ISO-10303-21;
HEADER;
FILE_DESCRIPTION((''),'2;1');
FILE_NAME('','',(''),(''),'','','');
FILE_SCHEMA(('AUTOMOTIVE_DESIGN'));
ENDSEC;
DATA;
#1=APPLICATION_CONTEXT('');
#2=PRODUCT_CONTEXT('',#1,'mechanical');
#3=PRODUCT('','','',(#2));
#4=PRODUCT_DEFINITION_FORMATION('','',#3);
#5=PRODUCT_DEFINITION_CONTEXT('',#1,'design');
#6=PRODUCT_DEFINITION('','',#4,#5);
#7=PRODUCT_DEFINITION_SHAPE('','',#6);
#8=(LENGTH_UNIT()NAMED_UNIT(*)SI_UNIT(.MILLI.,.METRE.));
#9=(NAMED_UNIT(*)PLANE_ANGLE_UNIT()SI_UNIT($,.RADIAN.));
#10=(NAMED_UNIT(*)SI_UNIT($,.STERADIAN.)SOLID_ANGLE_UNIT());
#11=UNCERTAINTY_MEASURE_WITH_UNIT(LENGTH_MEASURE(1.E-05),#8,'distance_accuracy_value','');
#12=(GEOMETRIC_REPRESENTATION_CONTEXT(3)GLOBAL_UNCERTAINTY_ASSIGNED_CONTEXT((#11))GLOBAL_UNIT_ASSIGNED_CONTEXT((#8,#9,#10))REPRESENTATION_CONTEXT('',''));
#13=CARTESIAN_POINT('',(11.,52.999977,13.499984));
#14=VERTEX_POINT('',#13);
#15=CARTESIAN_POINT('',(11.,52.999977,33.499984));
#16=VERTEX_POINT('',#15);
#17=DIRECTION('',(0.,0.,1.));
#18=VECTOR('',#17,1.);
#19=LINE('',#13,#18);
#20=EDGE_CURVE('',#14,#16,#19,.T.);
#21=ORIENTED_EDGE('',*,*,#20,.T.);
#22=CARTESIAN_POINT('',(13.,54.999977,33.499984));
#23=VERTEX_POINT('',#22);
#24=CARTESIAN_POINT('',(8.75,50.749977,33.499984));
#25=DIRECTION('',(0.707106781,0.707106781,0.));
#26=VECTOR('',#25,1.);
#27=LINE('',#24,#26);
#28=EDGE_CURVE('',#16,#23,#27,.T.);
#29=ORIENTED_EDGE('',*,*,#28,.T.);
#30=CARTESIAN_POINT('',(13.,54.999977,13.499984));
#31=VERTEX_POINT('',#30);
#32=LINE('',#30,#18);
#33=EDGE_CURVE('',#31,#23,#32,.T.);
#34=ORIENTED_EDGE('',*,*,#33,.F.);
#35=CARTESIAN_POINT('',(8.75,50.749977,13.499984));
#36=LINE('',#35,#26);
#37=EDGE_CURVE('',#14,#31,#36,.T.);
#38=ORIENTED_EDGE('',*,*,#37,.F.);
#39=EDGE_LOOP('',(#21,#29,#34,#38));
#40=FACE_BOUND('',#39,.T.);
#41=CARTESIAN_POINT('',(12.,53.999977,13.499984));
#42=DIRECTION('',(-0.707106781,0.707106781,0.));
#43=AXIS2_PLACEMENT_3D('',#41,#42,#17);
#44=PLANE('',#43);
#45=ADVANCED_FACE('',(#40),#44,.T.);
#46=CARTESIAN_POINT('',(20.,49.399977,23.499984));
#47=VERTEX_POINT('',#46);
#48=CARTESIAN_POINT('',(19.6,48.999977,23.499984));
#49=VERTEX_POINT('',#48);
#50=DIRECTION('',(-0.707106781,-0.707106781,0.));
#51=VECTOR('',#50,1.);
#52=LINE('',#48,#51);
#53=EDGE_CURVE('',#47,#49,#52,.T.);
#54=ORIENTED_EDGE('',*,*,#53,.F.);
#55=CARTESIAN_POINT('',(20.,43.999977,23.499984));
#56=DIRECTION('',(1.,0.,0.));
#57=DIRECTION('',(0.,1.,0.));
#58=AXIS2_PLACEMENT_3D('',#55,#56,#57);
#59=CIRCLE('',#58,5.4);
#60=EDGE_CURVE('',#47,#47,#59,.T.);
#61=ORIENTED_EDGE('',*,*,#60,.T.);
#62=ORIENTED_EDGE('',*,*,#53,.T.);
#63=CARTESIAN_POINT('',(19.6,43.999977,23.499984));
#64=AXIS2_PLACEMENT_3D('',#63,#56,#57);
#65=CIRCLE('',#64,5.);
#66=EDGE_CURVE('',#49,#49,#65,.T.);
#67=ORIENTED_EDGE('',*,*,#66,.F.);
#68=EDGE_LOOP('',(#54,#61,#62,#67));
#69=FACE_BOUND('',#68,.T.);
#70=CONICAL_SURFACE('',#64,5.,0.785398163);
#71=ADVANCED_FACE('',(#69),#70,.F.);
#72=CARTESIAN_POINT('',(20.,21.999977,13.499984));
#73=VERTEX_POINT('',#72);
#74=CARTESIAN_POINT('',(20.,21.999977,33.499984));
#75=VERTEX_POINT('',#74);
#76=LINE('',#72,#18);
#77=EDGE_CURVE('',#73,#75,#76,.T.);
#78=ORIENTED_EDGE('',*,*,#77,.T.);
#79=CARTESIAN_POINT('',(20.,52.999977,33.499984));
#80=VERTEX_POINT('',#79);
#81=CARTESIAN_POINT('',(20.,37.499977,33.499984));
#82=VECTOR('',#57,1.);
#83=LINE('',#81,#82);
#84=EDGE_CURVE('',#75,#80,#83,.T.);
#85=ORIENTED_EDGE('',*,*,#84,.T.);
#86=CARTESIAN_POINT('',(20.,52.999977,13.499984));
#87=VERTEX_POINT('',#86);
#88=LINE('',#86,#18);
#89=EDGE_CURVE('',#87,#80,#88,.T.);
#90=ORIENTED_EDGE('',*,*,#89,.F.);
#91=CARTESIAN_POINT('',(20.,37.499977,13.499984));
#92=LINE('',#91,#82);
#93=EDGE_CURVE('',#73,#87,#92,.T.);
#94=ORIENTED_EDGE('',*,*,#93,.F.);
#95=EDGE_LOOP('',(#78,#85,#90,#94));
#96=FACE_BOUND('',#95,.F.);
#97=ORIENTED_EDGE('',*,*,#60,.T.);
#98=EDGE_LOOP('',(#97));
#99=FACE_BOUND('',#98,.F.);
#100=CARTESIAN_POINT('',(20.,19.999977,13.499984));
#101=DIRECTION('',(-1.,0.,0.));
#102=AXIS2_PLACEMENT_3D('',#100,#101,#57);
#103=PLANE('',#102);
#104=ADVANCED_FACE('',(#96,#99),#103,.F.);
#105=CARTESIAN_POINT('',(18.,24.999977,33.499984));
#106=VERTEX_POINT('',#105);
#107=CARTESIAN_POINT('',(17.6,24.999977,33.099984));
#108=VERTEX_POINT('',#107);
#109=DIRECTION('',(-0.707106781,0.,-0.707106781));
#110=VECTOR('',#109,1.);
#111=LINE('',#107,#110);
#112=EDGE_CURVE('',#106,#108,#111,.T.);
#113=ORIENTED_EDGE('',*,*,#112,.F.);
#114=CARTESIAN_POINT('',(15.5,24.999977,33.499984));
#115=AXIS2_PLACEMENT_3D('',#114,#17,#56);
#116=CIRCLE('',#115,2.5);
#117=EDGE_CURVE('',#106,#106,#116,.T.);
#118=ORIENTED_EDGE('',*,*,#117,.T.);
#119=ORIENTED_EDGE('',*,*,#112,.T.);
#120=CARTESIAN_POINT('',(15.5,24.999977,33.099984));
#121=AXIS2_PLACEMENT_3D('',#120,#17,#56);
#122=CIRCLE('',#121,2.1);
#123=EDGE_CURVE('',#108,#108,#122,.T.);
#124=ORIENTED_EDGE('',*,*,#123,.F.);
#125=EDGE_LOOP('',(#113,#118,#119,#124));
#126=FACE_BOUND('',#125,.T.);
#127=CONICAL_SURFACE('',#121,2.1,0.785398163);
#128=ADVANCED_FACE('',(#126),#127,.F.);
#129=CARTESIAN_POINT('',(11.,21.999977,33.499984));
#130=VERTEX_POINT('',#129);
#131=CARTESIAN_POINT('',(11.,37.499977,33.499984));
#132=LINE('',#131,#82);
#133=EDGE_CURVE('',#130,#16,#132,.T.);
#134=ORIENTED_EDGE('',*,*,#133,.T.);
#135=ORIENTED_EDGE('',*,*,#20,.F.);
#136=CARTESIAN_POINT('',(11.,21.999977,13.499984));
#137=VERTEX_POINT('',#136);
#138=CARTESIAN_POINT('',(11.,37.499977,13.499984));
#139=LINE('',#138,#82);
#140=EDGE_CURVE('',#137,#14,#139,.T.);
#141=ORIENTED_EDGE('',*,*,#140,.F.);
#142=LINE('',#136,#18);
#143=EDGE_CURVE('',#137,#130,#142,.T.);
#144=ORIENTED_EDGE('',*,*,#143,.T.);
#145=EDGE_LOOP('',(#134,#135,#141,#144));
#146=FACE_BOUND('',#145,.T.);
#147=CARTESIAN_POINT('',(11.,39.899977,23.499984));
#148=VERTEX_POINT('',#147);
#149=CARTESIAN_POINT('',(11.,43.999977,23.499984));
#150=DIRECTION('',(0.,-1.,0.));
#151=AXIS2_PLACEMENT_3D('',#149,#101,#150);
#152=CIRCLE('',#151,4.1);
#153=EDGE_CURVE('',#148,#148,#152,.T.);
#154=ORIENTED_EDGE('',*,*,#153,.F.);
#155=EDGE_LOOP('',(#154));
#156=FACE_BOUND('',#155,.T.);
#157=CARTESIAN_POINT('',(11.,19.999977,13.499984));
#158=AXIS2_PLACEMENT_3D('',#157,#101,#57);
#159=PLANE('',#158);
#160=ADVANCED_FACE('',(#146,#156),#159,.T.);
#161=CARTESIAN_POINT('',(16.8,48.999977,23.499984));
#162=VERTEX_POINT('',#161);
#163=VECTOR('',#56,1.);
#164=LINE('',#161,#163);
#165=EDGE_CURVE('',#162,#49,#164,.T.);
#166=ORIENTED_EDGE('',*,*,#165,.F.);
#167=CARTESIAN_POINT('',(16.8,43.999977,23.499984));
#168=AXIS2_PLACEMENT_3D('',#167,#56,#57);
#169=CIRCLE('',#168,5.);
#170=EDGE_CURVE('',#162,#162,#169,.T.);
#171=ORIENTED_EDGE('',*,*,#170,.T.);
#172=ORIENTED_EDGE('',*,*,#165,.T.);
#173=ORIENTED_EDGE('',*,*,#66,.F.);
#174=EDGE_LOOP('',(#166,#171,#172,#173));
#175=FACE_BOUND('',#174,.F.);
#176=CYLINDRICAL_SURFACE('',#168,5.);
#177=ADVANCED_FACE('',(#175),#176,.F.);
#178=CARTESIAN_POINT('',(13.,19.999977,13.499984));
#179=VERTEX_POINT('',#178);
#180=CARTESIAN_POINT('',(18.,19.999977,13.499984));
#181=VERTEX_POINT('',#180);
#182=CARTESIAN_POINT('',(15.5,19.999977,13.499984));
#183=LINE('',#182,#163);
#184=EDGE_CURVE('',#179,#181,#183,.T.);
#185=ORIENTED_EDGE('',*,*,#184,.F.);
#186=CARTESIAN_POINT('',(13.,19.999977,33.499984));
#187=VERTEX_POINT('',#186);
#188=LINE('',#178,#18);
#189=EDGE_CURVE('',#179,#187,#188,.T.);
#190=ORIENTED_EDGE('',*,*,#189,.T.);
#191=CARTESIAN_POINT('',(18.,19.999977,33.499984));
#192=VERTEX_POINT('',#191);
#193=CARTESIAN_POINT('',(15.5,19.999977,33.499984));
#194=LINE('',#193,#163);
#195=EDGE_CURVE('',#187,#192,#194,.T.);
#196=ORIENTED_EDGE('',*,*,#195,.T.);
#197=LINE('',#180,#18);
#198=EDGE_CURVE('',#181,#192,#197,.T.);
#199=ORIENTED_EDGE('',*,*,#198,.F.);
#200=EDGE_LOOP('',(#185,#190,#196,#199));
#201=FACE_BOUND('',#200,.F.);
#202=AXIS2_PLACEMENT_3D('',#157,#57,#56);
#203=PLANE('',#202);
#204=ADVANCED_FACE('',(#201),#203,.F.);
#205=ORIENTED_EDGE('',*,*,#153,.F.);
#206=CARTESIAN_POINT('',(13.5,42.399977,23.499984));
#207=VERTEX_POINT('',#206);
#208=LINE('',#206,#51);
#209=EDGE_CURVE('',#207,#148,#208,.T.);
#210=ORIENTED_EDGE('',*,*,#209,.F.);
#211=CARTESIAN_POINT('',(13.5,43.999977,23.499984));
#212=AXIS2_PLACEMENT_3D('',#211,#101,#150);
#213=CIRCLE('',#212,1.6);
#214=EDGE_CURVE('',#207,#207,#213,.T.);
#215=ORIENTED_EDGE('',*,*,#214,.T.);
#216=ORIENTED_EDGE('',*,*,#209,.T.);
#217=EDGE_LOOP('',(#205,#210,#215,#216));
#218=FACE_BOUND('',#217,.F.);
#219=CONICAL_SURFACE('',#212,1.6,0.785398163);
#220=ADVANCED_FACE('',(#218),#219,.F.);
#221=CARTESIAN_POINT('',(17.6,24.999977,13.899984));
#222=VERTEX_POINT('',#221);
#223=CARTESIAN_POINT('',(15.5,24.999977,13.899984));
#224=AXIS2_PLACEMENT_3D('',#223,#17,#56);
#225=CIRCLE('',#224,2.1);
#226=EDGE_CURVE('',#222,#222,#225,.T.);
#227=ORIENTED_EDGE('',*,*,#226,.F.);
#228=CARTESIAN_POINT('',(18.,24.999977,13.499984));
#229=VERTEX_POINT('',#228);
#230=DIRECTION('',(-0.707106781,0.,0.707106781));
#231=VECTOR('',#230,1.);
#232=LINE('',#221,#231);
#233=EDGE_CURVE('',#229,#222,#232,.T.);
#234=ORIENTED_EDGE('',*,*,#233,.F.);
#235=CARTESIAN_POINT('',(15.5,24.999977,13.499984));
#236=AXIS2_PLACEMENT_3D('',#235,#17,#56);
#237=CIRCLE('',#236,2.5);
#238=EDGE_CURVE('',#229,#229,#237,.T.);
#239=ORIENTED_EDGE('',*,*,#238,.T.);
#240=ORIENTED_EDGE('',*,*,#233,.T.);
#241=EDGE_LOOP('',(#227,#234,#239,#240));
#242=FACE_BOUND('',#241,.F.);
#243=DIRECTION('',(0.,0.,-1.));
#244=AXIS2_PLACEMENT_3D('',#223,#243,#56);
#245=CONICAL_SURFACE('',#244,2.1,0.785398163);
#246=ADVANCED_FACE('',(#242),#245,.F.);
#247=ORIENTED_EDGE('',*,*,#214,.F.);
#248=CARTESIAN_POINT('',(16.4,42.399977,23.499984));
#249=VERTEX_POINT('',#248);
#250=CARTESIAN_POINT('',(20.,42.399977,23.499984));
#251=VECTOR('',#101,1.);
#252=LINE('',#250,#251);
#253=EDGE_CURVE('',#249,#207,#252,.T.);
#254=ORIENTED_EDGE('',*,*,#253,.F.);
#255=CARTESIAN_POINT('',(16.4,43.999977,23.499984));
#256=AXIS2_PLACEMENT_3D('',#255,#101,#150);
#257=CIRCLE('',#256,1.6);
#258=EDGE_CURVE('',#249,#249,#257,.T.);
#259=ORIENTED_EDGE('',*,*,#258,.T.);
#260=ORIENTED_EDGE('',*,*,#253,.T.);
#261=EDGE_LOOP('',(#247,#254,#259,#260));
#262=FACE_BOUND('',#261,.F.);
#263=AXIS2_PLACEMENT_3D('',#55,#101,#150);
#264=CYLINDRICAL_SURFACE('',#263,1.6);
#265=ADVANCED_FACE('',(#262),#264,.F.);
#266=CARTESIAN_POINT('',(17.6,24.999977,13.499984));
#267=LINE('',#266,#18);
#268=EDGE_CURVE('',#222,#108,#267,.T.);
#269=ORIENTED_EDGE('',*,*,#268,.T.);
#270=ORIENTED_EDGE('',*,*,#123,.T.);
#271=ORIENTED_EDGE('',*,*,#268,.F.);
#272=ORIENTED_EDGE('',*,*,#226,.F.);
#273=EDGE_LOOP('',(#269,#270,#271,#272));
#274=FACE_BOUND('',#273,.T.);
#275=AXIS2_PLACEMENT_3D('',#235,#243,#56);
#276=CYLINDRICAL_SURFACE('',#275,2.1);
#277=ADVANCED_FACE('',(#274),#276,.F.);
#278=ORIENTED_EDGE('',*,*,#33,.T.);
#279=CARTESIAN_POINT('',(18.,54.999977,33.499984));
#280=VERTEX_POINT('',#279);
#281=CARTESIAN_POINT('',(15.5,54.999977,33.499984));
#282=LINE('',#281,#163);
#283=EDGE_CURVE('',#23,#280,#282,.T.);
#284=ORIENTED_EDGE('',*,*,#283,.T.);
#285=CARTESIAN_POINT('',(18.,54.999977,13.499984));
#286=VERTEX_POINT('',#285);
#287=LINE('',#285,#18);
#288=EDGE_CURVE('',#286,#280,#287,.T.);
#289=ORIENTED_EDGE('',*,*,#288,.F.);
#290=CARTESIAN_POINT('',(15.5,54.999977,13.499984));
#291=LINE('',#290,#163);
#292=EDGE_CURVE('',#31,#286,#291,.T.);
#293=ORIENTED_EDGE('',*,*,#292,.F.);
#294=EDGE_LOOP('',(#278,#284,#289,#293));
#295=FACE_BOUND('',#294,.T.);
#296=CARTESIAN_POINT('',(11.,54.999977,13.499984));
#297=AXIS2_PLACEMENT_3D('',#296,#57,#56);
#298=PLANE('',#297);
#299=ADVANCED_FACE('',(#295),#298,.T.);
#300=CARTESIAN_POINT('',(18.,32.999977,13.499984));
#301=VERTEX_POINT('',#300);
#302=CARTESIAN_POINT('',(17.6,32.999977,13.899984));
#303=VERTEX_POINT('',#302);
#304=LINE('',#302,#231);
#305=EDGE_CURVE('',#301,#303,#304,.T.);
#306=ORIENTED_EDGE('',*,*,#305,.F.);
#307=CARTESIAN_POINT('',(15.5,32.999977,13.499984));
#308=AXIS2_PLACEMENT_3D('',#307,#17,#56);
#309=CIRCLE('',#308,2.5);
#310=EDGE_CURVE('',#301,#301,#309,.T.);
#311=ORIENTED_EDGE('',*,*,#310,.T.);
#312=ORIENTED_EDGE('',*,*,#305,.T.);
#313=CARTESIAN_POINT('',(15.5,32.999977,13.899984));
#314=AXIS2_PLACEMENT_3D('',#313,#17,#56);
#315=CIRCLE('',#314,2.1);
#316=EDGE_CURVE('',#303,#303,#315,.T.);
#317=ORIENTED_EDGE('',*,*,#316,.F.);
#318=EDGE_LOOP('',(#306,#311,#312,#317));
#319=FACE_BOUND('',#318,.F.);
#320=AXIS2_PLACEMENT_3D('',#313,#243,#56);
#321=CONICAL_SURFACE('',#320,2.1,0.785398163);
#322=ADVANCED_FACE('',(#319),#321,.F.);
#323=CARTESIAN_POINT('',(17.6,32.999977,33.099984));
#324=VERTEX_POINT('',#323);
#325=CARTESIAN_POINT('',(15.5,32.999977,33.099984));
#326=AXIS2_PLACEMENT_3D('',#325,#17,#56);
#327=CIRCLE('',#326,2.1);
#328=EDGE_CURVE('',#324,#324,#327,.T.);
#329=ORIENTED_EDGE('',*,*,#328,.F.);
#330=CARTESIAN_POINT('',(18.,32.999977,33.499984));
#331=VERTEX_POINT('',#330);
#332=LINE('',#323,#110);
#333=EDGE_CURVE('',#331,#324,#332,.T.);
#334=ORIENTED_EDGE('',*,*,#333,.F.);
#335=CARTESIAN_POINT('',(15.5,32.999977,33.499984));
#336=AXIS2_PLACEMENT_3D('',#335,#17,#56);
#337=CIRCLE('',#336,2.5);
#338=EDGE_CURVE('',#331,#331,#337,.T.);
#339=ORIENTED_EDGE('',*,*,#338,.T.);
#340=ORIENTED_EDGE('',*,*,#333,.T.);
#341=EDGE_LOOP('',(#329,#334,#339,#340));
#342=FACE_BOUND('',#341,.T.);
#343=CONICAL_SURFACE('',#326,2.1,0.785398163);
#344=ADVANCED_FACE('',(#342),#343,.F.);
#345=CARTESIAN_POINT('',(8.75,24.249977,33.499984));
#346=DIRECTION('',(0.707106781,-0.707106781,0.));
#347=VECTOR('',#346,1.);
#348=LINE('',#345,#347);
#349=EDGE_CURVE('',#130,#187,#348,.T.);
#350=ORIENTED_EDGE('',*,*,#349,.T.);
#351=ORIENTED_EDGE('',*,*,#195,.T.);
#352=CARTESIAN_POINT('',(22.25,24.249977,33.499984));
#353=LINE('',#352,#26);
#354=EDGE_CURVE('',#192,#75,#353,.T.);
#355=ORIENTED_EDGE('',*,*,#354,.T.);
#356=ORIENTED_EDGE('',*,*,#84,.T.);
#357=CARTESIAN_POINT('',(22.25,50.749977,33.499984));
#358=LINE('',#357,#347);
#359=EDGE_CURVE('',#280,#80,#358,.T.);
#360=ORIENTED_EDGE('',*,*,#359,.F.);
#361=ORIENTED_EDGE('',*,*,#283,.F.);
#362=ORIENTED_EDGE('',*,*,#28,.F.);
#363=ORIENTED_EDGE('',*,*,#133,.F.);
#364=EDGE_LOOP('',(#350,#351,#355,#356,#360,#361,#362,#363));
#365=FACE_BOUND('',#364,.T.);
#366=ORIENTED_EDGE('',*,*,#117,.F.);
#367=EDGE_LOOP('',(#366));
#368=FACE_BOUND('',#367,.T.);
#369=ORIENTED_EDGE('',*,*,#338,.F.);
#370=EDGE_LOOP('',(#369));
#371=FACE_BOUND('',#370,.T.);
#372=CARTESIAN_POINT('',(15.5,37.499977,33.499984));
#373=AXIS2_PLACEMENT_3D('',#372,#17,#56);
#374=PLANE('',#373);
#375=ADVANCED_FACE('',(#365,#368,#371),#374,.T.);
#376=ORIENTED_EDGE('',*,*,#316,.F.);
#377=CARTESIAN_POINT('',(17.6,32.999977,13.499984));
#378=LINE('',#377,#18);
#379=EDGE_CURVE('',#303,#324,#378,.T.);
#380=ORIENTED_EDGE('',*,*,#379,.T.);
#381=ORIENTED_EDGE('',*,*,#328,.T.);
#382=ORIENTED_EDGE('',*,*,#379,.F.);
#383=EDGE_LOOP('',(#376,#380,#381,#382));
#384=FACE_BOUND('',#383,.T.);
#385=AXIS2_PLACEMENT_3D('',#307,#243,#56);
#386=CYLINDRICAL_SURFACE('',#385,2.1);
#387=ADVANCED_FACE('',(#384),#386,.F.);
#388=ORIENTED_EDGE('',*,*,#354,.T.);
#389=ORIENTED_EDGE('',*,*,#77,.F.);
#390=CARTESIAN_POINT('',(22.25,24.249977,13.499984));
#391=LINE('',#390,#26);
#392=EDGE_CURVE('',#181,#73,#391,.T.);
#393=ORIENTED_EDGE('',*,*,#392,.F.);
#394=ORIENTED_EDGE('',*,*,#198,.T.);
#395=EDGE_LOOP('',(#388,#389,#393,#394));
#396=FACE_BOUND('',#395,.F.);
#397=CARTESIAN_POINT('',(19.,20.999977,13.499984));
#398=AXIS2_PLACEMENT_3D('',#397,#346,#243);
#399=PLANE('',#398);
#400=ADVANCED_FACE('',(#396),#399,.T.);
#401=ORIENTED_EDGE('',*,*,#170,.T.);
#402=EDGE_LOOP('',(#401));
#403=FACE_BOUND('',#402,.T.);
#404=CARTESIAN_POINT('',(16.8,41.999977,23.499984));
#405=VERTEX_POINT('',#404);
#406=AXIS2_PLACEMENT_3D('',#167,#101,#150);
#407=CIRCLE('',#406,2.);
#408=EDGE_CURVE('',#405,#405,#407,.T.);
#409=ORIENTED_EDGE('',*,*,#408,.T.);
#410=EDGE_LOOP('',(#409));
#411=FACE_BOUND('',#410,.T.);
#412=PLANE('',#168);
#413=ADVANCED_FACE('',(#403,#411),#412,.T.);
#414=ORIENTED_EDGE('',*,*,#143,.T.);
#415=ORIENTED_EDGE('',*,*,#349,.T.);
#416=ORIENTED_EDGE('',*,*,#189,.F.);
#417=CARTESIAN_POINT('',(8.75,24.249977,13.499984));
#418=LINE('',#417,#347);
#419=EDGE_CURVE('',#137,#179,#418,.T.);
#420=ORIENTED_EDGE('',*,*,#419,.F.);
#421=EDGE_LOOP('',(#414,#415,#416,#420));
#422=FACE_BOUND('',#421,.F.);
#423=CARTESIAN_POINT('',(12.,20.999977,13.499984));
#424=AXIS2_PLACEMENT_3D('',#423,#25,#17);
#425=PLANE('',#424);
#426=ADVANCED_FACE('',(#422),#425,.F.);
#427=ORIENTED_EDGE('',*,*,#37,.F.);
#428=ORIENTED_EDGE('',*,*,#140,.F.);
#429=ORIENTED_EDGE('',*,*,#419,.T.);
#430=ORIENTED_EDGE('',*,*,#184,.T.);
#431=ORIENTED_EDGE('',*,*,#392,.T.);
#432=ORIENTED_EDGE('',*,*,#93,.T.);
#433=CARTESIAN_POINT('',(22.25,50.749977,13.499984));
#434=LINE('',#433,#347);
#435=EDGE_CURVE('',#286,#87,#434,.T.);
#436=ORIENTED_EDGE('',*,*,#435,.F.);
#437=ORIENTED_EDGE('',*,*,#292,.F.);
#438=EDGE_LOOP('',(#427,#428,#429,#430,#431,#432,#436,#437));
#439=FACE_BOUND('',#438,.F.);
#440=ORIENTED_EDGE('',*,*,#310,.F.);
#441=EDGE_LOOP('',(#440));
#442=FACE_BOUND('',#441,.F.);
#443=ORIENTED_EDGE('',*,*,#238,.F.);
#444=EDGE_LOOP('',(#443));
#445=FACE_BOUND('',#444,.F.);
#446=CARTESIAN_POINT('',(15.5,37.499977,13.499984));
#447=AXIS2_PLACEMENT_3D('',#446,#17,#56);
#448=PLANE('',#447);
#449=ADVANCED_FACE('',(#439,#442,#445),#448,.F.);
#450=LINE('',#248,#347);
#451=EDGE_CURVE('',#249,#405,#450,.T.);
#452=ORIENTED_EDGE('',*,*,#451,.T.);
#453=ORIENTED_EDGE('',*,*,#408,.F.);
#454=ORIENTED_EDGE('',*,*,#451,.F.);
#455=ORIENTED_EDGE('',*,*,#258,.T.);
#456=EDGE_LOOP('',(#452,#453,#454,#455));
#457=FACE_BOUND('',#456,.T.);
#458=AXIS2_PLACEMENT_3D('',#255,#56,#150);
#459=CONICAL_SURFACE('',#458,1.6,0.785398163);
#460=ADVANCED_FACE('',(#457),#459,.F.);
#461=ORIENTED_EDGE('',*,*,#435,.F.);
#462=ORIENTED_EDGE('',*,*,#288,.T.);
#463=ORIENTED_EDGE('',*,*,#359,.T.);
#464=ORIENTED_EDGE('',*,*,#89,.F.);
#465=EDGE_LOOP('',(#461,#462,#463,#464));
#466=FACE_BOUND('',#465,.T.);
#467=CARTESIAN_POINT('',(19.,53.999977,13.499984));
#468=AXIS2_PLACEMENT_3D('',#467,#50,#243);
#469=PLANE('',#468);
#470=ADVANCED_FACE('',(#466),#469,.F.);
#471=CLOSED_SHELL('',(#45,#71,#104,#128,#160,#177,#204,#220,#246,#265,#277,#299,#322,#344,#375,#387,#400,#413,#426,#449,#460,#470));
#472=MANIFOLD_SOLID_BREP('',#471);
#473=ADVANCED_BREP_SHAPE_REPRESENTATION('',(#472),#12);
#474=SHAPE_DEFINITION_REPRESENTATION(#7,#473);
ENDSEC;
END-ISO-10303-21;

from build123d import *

# Parameters (mm, degrees)
SKETCH152_W      = 9
SKETCH152_H      = 35
SKETCH152_R      = 2.1
PAD086_DEPTH     = 20
CHAMFER056_SIZE  = 2
HOLE_D           = 3.2
HOLE_CBORE_D     = 10
HOLE_CBORE_DEPTH = 3.2
CHAMFER057_SIZE  = 0.4
CHAMFER058_SIZE  = 2.5
CHAMFER059_SIZE  = 0.4


with BuildPart() as part:
    # Sketch152 → Pad086 (new body)
    with BuildSketch(Plane.XY):
        with Locations((0, 8.5)):
            Rectangle(SKETCH152_W, SKETCH152_H)
        with Locations((0, 4)):
            Circle(SKETCH152_R, mode=Mode.SUBTRACT)
        with Locations((0, -4)):
            Circle(SKETCH152_R, mode=Mode.SUBTRACT)
    extrude(amount=PAD086_DEPTH)

    # Chamfer056
    chamfer056_edges = [part.edges().sort_by_distance(p)[0] for p in [
        (4.5, -9, 10),
        (-4.5, -9, 10),
        (-4.5, 26, 10),
        (4.5, 26, 10),
    ]]
    chamfer(chamfer056_edges, length=CHAMFER056_SIZE)

    # Hole (through all)
    with Locations(Plane.YZ.offset(4.5)):
        with Locations((15, 10)):
            CounterBoreHole(HOLE_D / 2, HOLE_CBORE_D / 2, HOLE_CBORE_DEPTH)

    # Chamfer057
    chamfer057_edges = [part.edges().sort_by_distance(p)[0] for p in [
        (1.3, 15, 11.6),
        (4.5, 15, 15),
    ]]
    chamfer(chamfer057_edges, length=CHAMFER057_SIZE)

    # Chamfer058
    chamfer058_edges = [part.edges().sort_by_distance(p)[0] for p in [
        (-4.5, 15, 11.6),
    ]]
    chamfer(chamfer058_edges, length=CHAMFER058_SIZE)

    # Chamfer059
    chamfer059_edges = [part.edges().sort_by_distance(p)[0] for p in [
        (-2.1, 4, 20),
        (-2.1, -4, 20),
        (-2.1, 4, 0),
        (-2.1, -4, 0),
    ]]
    chamfer(chamfer059_edges, length=CHAMFER059_SIZE)


with BuildPart() as part_1:
    # Body074 placement: moved
    add(part.part.moved(Location((15.5, 28.999977, 13.499984))))


solid = part_1.part
